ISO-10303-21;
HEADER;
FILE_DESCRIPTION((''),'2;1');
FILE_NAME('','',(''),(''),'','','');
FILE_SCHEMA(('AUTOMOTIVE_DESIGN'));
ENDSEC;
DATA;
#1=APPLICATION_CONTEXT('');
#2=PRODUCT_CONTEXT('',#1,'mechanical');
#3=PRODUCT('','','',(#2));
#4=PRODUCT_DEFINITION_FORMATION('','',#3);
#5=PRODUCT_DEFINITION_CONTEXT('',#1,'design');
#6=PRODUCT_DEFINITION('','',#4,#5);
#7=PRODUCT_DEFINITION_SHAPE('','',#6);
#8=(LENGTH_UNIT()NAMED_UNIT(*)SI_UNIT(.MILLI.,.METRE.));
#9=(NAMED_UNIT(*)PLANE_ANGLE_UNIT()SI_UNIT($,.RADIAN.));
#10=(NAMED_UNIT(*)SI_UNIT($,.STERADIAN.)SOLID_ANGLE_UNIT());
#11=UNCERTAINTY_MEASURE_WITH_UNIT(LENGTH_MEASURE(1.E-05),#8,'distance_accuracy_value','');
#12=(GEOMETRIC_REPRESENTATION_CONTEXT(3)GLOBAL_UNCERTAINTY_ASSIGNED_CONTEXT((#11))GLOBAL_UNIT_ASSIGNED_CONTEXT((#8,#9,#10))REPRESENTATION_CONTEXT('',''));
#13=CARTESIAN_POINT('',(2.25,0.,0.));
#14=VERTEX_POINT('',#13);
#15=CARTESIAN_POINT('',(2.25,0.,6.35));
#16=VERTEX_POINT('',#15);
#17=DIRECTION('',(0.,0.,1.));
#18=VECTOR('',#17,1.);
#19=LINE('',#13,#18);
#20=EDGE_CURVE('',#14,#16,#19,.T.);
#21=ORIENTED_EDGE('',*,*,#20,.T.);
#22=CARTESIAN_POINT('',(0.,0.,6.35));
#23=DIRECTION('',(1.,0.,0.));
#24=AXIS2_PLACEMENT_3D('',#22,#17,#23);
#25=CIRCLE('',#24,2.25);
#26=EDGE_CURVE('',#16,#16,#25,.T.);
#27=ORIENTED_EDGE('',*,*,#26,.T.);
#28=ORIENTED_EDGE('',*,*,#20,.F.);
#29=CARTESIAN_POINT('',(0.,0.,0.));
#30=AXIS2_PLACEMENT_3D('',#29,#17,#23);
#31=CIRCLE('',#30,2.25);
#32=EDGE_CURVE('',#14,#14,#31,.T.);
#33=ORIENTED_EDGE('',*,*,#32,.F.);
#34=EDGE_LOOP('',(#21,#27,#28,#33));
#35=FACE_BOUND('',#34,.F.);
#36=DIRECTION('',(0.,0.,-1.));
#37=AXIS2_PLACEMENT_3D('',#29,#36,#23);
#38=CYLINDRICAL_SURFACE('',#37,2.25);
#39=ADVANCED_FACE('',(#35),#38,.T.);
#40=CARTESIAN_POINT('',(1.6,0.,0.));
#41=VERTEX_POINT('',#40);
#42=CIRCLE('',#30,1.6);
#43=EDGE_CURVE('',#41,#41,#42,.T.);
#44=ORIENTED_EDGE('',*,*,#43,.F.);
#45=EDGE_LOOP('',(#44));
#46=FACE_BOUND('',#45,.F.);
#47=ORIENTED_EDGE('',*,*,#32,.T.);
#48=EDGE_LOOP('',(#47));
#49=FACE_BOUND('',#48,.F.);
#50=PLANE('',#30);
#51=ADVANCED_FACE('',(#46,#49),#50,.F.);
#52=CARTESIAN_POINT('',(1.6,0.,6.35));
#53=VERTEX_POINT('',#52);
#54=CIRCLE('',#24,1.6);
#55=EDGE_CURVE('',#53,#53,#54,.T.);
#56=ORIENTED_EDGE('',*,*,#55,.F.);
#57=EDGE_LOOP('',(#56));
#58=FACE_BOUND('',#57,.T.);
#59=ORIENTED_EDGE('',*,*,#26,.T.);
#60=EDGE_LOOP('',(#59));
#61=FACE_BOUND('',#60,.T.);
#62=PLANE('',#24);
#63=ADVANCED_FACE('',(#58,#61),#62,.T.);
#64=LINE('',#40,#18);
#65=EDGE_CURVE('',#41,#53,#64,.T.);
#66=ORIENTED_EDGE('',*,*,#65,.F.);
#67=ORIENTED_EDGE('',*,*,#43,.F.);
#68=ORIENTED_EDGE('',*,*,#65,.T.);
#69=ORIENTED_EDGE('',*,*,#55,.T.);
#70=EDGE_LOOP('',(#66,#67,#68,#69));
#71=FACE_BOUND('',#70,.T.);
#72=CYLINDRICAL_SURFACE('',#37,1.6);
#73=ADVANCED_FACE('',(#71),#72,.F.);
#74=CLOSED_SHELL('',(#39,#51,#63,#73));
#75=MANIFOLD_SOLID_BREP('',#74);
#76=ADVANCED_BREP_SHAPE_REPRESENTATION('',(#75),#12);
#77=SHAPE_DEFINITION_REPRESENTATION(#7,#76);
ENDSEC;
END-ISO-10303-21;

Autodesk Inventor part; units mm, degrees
ref_plane "YZ Plane" through (0, 0, 0) normal (1, 0, 0) x (0, 1, 0)
ref_plane "XZ Plane" through (0, 0, 0) normal (0, 1, 0) x (-1, 0, 0)
ref_plane "XY Plane" through (0, 0, 0) normal (0, 0, 1) x (1, 0, 0)
sketch "Sketch1" plane through (0, 0, 0) normal (0, 0, 1) x (1, 0, 0)
  circle A0 centre (0, 0) radius 2.25
  circle A1 centre (0, 0) radius 1.6
  dimension "d0" = 4.5
  dimension "d1" = 3.2
extrude "Extrusion1" add sketch "Sketch1" along normal blind 6.35
properties part number "0.25 Standoff" material "Nylon 6/6"
